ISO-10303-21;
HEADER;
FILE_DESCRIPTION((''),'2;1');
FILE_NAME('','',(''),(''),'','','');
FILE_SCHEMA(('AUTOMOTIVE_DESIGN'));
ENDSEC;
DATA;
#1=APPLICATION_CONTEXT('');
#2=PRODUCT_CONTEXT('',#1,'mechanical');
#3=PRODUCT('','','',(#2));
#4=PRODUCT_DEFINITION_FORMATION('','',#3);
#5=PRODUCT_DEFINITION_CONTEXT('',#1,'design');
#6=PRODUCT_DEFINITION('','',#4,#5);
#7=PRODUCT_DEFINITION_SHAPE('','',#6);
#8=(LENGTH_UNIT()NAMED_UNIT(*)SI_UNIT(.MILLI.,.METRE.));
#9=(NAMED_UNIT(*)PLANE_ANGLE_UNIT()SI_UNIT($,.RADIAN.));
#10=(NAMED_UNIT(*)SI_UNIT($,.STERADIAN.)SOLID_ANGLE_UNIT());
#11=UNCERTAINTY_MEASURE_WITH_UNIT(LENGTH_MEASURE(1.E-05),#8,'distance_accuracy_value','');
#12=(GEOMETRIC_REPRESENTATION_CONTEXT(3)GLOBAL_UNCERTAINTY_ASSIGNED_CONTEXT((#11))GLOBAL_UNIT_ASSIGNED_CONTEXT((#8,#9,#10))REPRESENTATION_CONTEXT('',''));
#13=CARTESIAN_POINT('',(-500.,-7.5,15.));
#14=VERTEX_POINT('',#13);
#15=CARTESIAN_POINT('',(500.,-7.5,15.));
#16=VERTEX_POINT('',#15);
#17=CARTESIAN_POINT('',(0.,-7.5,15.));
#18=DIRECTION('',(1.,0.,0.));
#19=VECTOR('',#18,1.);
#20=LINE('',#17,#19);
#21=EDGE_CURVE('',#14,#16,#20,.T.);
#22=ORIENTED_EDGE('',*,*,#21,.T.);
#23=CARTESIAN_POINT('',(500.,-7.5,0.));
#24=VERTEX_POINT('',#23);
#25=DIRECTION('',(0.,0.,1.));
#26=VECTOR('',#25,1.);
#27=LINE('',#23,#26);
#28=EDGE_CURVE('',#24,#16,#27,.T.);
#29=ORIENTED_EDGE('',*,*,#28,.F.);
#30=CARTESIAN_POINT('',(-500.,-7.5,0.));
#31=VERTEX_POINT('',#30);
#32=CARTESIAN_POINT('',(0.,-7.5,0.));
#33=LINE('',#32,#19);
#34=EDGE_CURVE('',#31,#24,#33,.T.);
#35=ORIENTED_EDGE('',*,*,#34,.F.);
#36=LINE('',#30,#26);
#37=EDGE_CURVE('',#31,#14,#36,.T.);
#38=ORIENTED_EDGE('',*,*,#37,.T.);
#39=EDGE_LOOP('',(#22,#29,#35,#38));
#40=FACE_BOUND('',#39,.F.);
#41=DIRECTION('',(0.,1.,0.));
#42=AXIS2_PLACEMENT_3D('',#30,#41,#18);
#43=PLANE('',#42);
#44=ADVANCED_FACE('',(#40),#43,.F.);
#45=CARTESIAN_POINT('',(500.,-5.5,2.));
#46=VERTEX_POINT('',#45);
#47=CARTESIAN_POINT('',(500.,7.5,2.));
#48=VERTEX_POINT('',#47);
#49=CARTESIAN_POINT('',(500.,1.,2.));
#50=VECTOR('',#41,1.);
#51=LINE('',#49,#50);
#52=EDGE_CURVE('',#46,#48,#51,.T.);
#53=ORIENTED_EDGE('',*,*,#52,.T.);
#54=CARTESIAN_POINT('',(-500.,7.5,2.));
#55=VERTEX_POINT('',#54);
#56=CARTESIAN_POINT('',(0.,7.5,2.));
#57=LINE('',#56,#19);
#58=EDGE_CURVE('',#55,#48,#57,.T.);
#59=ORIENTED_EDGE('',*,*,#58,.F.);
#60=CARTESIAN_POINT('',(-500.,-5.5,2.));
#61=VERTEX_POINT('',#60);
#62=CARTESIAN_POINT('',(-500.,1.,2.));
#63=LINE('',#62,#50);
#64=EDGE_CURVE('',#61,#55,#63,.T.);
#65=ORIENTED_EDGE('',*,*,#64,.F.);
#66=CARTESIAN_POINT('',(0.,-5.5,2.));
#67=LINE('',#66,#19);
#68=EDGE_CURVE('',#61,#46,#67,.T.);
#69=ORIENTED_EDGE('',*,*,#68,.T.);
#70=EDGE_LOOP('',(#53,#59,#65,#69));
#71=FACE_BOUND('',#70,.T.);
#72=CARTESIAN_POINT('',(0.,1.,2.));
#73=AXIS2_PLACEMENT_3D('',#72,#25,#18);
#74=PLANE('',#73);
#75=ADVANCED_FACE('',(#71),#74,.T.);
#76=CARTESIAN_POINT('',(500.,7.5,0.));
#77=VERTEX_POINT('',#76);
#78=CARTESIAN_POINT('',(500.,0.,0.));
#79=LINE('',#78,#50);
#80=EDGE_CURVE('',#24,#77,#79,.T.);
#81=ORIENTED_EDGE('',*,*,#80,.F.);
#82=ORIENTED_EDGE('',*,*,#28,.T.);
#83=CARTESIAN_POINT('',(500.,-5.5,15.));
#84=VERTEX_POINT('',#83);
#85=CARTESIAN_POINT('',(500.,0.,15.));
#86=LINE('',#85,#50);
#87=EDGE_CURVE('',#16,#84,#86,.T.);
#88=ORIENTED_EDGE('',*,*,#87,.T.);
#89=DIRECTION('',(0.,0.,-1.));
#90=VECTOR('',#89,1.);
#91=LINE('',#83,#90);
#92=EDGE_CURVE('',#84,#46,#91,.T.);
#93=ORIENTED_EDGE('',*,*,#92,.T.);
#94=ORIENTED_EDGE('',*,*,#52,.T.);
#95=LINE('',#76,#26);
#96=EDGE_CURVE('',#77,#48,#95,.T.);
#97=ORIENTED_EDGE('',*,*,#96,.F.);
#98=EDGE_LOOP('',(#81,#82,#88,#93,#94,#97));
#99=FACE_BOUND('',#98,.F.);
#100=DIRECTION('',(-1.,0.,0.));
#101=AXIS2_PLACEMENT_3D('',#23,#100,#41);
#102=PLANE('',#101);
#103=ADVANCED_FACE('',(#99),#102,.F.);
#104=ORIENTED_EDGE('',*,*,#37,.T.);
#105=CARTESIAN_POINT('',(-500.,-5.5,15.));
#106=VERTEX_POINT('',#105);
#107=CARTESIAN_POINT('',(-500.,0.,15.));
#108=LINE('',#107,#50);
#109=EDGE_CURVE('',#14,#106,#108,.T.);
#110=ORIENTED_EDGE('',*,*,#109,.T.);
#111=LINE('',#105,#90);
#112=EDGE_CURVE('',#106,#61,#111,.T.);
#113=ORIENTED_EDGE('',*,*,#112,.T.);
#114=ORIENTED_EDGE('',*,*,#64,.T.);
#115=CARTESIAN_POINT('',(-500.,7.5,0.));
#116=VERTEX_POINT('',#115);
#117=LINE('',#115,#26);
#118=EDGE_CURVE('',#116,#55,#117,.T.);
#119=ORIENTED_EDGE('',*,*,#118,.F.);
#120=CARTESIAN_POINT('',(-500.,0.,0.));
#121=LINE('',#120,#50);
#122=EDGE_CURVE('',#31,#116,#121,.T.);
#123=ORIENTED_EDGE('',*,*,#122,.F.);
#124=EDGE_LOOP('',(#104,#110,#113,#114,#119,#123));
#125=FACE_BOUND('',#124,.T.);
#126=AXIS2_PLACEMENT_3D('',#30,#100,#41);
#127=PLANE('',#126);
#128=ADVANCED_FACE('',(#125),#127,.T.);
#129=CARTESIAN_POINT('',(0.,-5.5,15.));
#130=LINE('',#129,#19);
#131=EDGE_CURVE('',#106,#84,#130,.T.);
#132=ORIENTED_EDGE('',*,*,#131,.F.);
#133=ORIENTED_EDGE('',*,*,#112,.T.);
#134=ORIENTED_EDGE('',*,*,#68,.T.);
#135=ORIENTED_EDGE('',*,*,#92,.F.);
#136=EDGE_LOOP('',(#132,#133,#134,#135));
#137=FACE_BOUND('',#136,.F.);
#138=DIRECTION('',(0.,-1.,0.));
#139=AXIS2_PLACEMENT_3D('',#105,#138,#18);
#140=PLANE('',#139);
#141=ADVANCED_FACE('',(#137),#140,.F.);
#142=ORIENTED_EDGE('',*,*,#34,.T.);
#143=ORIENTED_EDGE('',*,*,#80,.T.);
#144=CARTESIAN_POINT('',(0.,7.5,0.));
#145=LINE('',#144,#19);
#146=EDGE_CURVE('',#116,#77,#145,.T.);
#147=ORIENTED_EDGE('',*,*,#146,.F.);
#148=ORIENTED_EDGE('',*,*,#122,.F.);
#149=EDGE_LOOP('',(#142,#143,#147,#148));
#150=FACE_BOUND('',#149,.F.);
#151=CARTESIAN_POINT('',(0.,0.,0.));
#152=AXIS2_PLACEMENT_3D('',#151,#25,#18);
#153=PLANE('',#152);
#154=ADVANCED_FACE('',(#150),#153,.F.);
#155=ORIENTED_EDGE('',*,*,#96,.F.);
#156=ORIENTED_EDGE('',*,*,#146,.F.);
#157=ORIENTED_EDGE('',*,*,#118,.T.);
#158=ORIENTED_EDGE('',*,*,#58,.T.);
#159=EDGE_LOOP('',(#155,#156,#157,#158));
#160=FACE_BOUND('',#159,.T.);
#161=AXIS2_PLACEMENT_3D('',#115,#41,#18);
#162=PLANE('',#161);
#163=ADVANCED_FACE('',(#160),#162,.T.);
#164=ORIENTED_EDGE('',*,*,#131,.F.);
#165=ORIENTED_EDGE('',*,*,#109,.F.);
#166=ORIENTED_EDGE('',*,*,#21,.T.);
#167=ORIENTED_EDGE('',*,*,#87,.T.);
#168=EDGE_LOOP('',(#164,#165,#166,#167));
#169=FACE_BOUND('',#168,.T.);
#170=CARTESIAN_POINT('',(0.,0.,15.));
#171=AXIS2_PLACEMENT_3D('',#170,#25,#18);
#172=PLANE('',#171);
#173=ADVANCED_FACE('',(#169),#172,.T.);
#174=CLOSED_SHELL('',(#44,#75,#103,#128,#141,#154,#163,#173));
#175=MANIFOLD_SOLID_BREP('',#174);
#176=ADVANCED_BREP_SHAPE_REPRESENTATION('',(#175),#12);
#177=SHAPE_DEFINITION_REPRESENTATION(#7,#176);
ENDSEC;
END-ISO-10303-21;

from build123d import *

# Parameters (mm, degrees)
SKETCH_W     = 1000
SKETCH_H     = 15
PAD_DEPTH    = 15
SKETCH001_W  = 1000
SKETCH001_H  = 13
POCKET_DEPTH = 13


with BuildPart() as part:
    # Sketch → Pad (new body)
    with BuildSketch(Plane.XY):
        Rectangle(SKETCH_W, SKETCH_H)
    extrude(amount=PAD_DEPTH)

    # Sketch001 → Pocket (cut)
    with BuildSketch(Plane.XY.offset(15)):
        with Locations((0, 1)):
            Rectangle(SKETCH001_W, SKETCH001_H)
    extrude(amount=-POCKET_DEPTH, mode=Mode.SUBTRACT)


solid = part.part
